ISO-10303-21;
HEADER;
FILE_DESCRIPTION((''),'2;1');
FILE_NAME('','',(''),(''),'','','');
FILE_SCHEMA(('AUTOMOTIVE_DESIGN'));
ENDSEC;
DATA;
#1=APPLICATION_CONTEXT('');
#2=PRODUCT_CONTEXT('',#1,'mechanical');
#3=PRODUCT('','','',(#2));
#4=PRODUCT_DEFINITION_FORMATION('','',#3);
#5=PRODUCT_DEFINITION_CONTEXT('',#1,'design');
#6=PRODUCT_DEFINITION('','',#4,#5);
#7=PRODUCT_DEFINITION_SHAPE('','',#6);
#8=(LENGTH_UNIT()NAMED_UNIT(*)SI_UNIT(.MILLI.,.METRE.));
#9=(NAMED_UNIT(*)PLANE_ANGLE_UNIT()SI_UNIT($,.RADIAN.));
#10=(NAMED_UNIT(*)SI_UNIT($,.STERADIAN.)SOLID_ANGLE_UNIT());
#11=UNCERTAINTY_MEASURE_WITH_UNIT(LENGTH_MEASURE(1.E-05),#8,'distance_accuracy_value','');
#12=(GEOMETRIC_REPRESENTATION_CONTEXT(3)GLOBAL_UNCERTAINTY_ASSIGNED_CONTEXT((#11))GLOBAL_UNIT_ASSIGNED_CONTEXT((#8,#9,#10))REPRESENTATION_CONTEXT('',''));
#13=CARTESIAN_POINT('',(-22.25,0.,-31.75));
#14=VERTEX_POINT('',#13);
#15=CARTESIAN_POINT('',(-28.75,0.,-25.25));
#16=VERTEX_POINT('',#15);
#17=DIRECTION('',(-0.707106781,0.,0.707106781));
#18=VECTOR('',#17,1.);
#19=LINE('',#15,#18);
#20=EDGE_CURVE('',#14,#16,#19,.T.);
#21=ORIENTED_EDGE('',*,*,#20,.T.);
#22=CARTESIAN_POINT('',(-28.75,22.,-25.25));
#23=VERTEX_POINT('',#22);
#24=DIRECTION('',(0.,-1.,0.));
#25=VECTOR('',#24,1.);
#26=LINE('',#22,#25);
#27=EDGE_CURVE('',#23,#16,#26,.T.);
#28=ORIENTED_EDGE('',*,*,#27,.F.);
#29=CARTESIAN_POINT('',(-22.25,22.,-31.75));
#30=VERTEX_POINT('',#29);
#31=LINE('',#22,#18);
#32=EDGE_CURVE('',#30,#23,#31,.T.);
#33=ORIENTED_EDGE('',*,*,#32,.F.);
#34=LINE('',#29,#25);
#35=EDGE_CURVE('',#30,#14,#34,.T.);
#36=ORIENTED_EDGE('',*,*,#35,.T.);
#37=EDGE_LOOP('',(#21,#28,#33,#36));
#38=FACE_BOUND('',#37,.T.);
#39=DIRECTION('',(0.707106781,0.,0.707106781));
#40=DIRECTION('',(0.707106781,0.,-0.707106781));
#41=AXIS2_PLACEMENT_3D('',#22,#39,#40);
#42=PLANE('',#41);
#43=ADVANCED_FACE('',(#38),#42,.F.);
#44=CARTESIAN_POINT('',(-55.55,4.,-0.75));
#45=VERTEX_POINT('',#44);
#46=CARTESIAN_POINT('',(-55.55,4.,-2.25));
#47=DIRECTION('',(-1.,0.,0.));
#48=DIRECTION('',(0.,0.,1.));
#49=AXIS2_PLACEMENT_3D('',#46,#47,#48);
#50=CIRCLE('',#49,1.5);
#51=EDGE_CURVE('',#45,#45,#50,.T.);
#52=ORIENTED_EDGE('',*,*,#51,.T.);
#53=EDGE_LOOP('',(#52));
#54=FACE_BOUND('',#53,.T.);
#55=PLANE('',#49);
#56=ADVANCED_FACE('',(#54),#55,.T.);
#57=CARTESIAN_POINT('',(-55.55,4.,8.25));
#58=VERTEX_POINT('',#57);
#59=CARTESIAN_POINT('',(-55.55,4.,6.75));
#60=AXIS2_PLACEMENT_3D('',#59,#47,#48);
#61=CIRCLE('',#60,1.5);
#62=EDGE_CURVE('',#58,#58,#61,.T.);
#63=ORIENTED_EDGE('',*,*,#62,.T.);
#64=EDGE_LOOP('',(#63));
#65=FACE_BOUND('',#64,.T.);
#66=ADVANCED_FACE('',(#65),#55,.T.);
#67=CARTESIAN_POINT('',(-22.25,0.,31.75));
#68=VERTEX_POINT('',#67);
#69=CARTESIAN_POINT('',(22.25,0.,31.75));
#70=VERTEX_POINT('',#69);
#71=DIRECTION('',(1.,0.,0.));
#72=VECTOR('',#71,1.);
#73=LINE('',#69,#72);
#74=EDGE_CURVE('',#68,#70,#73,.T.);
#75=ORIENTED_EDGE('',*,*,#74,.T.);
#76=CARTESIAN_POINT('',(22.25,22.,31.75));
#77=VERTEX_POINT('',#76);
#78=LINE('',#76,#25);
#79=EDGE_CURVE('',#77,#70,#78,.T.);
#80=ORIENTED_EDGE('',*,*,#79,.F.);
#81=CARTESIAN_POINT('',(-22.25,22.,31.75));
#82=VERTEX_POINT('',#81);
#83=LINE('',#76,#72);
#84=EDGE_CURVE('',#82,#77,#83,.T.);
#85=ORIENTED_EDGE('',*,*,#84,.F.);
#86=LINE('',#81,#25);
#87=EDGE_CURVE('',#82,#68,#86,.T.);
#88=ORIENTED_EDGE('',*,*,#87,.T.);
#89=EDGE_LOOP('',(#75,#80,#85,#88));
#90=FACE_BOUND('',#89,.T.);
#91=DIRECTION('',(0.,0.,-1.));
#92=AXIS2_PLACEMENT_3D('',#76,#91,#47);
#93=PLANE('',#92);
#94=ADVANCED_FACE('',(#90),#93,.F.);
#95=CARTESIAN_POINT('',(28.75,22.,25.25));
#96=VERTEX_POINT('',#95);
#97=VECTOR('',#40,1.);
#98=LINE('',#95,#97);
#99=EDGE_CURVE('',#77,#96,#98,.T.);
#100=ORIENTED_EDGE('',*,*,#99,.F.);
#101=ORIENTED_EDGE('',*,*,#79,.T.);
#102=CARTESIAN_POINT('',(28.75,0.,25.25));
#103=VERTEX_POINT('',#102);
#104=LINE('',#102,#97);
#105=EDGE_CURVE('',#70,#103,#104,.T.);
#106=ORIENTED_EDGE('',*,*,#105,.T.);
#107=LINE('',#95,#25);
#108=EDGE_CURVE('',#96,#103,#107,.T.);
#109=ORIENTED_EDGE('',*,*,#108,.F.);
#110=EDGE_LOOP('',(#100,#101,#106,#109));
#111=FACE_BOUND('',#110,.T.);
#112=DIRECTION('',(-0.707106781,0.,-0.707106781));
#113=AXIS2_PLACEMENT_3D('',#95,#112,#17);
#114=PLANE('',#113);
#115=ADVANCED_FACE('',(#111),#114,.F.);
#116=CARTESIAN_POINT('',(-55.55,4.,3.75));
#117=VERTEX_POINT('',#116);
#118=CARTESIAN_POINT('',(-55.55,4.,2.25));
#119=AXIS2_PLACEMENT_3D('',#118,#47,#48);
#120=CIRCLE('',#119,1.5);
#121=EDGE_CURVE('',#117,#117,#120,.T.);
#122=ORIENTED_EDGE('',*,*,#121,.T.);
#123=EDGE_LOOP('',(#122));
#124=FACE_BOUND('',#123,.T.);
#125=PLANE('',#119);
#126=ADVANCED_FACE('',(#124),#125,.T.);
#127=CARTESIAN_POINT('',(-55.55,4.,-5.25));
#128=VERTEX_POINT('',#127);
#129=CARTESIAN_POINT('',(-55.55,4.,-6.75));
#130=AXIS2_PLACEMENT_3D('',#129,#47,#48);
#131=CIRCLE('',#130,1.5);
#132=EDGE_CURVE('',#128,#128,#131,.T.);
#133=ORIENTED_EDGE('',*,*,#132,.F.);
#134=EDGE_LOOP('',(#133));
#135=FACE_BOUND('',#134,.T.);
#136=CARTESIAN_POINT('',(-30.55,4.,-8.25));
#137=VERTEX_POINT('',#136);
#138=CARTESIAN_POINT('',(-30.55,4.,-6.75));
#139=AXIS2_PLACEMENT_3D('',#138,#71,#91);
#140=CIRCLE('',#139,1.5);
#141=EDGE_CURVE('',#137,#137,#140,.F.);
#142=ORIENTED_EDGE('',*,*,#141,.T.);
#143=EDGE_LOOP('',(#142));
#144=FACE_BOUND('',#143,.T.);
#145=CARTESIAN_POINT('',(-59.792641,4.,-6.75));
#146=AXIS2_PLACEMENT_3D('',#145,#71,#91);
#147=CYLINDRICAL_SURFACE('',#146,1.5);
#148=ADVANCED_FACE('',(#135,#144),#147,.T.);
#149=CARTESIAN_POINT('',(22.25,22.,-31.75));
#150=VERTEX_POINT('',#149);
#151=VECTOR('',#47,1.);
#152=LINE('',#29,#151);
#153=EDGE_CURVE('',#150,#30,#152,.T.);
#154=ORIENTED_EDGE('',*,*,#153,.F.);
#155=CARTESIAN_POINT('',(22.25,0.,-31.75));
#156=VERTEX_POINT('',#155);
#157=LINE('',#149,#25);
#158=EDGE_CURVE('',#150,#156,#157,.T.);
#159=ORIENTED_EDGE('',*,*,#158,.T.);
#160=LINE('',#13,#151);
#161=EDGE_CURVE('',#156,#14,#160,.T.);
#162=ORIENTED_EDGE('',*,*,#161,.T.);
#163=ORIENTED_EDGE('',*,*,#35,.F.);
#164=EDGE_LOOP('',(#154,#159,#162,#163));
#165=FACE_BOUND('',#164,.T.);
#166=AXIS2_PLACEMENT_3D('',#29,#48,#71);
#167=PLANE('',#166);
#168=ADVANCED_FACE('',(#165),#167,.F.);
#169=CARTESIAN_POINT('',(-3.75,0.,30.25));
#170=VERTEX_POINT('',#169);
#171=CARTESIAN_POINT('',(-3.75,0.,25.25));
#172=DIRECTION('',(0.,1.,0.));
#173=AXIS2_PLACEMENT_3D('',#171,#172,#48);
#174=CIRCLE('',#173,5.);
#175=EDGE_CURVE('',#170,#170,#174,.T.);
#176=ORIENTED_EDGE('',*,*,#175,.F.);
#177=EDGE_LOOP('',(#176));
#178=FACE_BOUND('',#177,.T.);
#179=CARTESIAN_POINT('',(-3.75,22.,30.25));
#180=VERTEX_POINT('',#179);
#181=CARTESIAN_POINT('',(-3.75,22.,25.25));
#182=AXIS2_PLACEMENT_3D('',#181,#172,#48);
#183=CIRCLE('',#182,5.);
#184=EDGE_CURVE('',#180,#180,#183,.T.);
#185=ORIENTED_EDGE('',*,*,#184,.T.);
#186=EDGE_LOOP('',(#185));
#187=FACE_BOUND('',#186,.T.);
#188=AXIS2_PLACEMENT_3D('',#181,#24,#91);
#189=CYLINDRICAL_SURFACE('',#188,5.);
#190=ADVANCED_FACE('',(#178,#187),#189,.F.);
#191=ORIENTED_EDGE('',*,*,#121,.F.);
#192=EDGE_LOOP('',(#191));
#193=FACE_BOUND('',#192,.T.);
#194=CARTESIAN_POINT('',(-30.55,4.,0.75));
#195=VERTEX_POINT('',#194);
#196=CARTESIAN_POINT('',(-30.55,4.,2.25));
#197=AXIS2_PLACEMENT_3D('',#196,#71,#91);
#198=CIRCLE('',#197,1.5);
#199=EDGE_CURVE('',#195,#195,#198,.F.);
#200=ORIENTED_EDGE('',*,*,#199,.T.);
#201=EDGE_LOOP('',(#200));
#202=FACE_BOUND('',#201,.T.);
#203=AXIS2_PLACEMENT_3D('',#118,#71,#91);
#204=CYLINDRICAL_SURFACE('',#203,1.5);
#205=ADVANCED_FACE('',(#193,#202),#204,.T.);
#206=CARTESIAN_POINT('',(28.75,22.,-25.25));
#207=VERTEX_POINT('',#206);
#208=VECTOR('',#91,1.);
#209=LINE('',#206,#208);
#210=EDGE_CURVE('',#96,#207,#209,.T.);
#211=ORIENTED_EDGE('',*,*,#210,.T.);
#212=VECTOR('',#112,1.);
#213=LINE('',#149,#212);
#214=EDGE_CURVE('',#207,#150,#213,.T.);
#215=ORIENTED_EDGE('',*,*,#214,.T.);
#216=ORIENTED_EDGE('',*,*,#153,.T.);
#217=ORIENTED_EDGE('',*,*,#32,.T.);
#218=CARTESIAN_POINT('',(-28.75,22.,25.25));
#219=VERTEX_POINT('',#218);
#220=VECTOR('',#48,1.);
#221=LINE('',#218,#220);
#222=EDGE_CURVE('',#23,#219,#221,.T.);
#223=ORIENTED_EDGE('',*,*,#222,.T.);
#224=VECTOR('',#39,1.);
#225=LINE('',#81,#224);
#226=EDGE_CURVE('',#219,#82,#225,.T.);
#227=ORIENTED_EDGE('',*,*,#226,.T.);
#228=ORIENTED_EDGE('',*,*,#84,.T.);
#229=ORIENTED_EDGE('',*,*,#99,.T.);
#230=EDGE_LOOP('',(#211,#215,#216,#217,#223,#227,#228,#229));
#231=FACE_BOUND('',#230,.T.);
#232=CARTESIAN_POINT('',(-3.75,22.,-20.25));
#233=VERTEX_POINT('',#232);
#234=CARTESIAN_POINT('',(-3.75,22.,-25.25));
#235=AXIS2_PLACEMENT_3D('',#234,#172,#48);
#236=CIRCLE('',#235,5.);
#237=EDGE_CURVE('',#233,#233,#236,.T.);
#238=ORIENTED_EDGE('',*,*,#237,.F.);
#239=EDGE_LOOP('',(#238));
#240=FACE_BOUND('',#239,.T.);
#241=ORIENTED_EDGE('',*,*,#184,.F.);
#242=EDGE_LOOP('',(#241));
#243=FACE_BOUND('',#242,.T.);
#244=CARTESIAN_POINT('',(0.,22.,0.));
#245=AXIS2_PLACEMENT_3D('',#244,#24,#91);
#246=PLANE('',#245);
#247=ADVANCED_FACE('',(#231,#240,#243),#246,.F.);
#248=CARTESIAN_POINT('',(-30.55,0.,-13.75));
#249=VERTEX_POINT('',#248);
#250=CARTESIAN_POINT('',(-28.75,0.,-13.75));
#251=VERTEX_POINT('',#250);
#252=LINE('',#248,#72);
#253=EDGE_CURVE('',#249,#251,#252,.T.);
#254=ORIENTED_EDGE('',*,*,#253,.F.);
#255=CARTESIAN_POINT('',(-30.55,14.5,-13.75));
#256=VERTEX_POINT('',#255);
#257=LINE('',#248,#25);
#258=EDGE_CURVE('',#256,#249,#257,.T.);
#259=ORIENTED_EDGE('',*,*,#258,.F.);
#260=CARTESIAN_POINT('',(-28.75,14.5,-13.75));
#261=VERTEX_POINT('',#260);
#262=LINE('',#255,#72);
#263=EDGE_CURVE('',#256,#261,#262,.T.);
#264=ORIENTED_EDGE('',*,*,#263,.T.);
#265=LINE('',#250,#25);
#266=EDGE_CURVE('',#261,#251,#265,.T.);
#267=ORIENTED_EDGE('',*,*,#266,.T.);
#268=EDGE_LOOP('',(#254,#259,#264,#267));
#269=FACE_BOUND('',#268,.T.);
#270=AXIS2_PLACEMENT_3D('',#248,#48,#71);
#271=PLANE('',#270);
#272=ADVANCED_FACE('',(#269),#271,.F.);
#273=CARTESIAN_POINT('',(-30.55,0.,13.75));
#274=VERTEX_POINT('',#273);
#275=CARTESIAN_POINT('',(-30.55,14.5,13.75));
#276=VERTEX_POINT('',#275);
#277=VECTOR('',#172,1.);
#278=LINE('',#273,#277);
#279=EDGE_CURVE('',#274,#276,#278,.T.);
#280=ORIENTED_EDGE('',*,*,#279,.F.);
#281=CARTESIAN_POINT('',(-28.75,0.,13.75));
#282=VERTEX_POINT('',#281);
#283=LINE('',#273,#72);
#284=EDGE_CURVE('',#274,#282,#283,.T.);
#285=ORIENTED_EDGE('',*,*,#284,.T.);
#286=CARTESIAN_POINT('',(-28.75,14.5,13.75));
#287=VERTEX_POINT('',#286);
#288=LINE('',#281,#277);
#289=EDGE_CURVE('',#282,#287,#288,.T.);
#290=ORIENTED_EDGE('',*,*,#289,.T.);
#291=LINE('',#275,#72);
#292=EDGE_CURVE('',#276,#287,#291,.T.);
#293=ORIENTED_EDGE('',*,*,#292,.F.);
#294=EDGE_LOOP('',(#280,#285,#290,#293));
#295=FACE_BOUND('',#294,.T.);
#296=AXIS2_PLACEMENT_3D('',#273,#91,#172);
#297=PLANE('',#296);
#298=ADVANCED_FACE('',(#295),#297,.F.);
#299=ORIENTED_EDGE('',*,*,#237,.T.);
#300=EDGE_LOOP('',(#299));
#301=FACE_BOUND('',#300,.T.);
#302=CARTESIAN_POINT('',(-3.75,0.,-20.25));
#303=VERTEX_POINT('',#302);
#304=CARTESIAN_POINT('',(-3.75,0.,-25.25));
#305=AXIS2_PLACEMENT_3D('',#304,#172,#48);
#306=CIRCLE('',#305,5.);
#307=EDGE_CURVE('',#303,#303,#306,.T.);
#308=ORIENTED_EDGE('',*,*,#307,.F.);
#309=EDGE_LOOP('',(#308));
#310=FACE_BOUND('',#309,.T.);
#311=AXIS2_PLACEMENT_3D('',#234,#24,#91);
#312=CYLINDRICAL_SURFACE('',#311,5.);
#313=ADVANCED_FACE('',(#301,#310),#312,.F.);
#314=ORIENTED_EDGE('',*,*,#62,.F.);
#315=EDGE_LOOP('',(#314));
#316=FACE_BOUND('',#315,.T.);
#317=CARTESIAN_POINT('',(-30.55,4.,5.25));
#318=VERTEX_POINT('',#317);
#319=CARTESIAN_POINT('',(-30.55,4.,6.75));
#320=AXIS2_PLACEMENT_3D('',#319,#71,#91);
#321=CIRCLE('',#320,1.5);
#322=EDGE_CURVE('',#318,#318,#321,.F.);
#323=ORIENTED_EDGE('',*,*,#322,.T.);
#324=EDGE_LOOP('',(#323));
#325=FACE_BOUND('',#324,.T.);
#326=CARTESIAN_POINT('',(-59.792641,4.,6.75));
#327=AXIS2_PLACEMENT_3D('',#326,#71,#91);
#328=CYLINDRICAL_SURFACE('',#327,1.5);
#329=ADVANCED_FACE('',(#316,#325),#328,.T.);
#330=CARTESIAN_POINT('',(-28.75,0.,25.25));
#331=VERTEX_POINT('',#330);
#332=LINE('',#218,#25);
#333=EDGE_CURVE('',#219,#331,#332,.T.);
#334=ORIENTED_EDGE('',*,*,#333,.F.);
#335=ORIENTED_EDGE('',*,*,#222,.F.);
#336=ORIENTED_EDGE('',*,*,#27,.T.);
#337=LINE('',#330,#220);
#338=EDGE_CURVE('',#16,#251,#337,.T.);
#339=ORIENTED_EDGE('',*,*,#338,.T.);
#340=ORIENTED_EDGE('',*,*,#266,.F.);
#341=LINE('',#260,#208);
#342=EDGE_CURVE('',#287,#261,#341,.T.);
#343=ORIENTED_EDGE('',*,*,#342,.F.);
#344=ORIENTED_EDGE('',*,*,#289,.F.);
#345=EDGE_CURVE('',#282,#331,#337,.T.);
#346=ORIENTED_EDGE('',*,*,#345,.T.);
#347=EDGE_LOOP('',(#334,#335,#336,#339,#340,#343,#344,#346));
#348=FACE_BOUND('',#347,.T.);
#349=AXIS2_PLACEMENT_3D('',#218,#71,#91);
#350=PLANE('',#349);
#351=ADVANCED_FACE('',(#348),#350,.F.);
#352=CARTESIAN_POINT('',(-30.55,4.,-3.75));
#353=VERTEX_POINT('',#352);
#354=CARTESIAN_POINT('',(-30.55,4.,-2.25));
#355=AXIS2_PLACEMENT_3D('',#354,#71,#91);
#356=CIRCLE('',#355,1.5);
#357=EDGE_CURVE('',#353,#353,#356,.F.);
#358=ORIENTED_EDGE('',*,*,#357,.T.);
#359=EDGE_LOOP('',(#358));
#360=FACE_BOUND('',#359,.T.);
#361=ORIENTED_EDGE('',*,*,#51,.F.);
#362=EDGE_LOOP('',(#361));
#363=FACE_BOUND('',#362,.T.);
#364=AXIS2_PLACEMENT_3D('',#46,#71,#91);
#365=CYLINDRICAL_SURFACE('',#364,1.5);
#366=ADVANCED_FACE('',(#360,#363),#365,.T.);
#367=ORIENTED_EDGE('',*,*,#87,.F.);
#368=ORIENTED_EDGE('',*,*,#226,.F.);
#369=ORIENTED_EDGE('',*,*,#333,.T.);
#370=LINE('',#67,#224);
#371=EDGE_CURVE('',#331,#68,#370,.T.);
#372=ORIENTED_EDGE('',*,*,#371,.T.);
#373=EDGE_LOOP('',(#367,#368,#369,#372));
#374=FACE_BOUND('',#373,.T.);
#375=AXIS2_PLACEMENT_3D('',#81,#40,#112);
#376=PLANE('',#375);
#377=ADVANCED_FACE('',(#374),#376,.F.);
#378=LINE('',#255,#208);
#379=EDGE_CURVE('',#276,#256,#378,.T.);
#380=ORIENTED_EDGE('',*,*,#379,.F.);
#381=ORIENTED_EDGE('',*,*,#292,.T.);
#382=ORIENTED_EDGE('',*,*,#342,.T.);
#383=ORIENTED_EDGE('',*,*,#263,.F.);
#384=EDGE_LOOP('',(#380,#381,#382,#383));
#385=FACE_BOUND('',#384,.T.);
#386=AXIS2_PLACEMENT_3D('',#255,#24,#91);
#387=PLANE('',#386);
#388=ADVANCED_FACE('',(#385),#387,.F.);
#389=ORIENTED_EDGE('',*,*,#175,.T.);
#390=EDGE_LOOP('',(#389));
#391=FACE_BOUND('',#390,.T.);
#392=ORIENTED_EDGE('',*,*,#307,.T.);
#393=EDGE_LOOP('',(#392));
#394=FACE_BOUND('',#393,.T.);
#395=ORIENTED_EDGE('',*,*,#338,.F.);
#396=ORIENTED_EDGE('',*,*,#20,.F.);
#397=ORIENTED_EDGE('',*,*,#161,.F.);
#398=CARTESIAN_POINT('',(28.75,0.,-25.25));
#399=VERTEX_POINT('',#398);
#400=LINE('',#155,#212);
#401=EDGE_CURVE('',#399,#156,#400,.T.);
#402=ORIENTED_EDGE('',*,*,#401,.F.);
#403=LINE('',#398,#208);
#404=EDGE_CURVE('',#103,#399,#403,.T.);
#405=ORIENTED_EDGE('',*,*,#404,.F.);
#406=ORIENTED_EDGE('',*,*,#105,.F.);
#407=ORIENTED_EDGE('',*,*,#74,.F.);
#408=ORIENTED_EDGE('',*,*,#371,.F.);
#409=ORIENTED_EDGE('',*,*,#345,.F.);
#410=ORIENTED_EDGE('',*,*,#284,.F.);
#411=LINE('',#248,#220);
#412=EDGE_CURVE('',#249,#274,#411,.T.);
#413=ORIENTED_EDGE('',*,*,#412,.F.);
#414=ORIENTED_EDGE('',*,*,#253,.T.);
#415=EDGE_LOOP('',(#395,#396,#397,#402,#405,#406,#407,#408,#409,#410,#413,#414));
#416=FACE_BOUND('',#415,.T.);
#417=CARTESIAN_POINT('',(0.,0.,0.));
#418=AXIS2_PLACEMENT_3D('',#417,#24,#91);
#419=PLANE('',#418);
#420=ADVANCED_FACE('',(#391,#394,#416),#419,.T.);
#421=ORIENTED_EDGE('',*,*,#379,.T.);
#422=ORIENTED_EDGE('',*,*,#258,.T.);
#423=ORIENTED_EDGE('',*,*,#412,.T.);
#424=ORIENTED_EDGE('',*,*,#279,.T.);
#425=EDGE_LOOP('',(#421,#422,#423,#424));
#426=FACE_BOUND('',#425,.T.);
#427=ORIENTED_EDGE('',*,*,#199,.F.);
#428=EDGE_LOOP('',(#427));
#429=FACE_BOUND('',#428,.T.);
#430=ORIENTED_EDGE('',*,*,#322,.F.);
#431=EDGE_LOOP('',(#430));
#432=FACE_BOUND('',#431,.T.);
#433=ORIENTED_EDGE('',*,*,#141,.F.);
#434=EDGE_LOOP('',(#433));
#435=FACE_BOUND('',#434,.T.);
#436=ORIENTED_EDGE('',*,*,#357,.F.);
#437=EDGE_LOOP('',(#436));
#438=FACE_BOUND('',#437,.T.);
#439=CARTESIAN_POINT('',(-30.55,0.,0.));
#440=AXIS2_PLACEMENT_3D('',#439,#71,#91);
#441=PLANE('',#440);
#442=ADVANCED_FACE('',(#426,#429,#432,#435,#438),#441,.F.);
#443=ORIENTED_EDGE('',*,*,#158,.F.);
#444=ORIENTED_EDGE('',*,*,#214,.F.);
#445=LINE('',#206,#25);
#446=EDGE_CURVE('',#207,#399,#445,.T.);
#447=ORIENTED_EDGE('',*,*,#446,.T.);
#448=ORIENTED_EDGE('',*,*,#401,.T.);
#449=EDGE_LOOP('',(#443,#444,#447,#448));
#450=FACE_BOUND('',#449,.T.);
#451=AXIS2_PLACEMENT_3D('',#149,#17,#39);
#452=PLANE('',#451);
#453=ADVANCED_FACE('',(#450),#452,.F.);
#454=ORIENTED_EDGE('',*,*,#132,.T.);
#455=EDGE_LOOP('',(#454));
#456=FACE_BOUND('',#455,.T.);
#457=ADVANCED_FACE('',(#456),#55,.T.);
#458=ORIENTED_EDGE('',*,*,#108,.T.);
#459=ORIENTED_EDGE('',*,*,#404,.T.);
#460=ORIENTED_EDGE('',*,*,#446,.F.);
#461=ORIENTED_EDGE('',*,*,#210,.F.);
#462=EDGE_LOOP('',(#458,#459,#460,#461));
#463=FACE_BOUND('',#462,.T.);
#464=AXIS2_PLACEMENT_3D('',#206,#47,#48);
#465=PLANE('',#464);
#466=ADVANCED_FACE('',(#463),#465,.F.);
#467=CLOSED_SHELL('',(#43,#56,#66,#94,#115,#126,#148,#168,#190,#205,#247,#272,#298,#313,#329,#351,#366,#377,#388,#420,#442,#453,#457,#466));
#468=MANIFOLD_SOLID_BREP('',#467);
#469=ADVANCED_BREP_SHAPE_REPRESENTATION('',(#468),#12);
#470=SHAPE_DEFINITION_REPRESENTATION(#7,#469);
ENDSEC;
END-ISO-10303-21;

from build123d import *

# Parameters (mm, degrees)
SKETCH1_R             = 5
BASE_DEPTH            = 22
SKETCH2_W             = 27.5
SKETCH2_H             = 14.5
WIRE_INSERTIONS_DEPTH = 1.8
SKETCH3_R             = 1.5
GND_WIRES_DEPTH       = 25
SKETCH4_R             = 1.5
OUTPUT_WIRE_DEPTH     = 25
SKETCH5_R             = 1.5
INPUT_WIRE_DEPTH      = 25


with BuildPart() as part:
    # Sketch1 → Base (new body)
    with BuildSketch(Plane(origin=(0, 0, 0), x_dir=(1, 0, 0), z_dir=(0, 1, 0))):
        Polygon((22.25, -31.75), (-22.25, -31.75), (-28.75, -25.25), (-28.75, 25.25), (-22.25, 31.75), (22.25, 31.75), (28.75, 25.25), (28.75, -25.25), align=None)
        with Locations(Location((-3.75, -25.25, 0), (0, 0, 270))):
            Circle(SKETCH1_R, mode=Mode.SUBTRACT)
        with Locations(Location((-3.75, 25.25, 0), (0, 0, 270))):
            Circle(SKETCH1_R, mode=Mode.SUBTRACT)
    extrude(amount=BASE_DEPTH)

    # Sketch2 → Wire Insertions (add)
    with BuildSketch(Plane.ZY.offset(28.75)):
        with Locations((0, 7.25)):
            Rectangle(SKETCH2_W, SKETCH2_H)
    extrude(amount=WIRE_INSERTIONS_DEPTH)

    # Sketch3 → GND Wires (add)
    with BuildSketch(Plane.ZY.offset(30.55)):
        with Locations(Location((-2.25, 4, 0), (0, 0, 180))):
            Circle(SKETCH3_R)
        with Locations(Location((2.25, 4, 0), (0, 0, 180))):
            Circle(SKETCH3_R)
    extrude(amount=GND_WIRES_DEPTH)

    # Sketch4 → Output Wire (add)
    with BuildSketch(Plane.ZY.offset(30.55)):
        with Locations(Location((-6.75, 4, 0), (0, 0, 180))):
            Circle(SKETCH4_R)
    extrude(amount=OUTPUT_WIRE_DEPTH)

    # Sketch5 → Input Wire (add)
    with BuildSketch(Plane.ZY.offset(30.55)):
        with Locations(Location((6.75, 4, 0), (0, 0, 180))):
            Circle(SKETCH5_R)
    extrude(amount=INPUT_WIRE_DEPTH)


solid = part.part
